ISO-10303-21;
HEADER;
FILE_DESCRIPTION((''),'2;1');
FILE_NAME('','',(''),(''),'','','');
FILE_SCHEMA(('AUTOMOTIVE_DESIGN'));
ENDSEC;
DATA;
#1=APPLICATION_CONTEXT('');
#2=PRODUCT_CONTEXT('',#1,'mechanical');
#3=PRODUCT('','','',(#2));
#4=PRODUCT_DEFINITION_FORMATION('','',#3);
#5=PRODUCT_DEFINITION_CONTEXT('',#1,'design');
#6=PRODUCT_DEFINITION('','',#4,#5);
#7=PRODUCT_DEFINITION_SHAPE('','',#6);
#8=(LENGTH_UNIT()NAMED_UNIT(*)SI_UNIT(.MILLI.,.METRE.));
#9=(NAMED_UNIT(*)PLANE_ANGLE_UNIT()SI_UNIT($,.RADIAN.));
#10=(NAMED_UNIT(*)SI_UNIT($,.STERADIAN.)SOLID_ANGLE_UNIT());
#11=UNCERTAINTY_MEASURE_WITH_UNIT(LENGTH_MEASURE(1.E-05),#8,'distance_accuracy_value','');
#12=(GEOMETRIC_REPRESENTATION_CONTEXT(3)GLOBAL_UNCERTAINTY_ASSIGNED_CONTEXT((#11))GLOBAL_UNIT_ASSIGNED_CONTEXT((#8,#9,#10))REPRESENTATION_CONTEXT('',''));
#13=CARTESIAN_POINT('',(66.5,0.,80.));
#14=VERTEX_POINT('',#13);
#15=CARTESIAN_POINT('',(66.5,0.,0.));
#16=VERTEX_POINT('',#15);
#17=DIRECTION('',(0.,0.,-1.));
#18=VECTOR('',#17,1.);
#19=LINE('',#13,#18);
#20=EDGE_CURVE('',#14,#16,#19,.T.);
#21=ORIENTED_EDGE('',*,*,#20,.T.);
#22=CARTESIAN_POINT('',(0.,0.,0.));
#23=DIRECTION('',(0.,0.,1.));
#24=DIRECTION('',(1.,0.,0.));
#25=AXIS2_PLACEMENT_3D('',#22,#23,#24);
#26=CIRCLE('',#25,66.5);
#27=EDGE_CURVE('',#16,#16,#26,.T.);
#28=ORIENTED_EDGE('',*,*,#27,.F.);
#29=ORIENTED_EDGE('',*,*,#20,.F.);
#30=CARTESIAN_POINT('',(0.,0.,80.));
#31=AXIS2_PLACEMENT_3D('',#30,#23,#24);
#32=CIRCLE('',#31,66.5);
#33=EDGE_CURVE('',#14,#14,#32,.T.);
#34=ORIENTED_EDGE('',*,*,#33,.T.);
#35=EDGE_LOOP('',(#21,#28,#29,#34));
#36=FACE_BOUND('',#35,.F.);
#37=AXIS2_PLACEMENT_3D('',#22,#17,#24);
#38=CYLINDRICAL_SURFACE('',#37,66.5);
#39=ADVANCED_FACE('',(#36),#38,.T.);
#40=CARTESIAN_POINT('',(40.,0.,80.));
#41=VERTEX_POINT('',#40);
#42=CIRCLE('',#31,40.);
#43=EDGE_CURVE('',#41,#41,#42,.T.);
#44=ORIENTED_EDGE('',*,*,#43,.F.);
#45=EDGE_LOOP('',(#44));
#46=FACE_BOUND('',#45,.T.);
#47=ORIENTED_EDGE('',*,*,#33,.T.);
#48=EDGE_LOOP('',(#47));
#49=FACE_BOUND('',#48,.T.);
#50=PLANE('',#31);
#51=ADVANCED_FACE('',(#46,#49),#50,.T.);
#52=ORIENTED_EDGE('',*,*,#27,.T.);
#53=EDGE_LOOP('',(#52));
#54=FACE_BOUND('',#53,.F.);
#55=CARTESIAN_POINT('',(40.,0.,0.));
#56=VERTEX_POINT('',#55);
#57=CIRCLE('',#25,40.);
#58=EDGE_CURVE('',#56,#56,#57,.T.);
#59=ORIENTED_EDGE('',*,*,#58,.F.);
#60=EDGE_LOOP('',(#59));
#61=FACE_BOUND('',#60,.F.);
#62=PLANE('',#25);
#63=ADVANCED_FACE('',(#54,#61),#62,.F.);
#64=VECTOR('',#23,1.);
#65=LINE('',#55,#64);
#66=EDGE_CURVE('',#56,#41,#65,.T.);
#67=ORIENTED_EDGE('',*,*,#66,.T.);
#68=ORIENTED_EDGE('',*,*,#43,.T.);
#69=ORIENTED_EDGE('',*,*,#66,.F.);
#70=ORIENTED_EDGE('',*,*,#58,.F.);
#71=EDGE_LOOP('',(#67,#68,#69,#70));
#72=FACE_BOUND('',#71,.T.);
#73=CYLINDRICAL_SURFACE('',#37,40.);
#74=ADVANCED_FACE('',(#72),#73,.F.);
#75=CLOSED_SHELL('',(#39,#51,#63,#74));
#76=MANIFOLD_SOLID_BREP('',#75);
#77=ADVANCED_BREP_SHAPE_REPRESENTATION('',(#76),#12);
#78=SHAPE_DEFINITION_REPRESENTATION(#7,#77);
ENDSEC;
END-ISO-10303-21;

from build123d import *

# Parameters (mm, degrees)
F0_R     = 66.5
F0_R_2   = 40
F1_DEPTH = 80
F2_DEPTH = 25


with BuildPart() as f1:
    # F0 (on Top) → F1 (new body)
    with BuildSketch(Plane.XY):
        Circle(F0_R)
        Circle(F0_R_2, mode=Mode.SUBTRACT)
    extrude(amount=F1_DEPTH)

    # F0 (on Top) → F2 (join)
    with BuildSketch(Plane.XY):
        Circle(F0_R)
        Circle(F0_R_2, mode=Mode.SUBTRACT)
    extrude(amount=F2_DEPTH)


solid = f1.part
